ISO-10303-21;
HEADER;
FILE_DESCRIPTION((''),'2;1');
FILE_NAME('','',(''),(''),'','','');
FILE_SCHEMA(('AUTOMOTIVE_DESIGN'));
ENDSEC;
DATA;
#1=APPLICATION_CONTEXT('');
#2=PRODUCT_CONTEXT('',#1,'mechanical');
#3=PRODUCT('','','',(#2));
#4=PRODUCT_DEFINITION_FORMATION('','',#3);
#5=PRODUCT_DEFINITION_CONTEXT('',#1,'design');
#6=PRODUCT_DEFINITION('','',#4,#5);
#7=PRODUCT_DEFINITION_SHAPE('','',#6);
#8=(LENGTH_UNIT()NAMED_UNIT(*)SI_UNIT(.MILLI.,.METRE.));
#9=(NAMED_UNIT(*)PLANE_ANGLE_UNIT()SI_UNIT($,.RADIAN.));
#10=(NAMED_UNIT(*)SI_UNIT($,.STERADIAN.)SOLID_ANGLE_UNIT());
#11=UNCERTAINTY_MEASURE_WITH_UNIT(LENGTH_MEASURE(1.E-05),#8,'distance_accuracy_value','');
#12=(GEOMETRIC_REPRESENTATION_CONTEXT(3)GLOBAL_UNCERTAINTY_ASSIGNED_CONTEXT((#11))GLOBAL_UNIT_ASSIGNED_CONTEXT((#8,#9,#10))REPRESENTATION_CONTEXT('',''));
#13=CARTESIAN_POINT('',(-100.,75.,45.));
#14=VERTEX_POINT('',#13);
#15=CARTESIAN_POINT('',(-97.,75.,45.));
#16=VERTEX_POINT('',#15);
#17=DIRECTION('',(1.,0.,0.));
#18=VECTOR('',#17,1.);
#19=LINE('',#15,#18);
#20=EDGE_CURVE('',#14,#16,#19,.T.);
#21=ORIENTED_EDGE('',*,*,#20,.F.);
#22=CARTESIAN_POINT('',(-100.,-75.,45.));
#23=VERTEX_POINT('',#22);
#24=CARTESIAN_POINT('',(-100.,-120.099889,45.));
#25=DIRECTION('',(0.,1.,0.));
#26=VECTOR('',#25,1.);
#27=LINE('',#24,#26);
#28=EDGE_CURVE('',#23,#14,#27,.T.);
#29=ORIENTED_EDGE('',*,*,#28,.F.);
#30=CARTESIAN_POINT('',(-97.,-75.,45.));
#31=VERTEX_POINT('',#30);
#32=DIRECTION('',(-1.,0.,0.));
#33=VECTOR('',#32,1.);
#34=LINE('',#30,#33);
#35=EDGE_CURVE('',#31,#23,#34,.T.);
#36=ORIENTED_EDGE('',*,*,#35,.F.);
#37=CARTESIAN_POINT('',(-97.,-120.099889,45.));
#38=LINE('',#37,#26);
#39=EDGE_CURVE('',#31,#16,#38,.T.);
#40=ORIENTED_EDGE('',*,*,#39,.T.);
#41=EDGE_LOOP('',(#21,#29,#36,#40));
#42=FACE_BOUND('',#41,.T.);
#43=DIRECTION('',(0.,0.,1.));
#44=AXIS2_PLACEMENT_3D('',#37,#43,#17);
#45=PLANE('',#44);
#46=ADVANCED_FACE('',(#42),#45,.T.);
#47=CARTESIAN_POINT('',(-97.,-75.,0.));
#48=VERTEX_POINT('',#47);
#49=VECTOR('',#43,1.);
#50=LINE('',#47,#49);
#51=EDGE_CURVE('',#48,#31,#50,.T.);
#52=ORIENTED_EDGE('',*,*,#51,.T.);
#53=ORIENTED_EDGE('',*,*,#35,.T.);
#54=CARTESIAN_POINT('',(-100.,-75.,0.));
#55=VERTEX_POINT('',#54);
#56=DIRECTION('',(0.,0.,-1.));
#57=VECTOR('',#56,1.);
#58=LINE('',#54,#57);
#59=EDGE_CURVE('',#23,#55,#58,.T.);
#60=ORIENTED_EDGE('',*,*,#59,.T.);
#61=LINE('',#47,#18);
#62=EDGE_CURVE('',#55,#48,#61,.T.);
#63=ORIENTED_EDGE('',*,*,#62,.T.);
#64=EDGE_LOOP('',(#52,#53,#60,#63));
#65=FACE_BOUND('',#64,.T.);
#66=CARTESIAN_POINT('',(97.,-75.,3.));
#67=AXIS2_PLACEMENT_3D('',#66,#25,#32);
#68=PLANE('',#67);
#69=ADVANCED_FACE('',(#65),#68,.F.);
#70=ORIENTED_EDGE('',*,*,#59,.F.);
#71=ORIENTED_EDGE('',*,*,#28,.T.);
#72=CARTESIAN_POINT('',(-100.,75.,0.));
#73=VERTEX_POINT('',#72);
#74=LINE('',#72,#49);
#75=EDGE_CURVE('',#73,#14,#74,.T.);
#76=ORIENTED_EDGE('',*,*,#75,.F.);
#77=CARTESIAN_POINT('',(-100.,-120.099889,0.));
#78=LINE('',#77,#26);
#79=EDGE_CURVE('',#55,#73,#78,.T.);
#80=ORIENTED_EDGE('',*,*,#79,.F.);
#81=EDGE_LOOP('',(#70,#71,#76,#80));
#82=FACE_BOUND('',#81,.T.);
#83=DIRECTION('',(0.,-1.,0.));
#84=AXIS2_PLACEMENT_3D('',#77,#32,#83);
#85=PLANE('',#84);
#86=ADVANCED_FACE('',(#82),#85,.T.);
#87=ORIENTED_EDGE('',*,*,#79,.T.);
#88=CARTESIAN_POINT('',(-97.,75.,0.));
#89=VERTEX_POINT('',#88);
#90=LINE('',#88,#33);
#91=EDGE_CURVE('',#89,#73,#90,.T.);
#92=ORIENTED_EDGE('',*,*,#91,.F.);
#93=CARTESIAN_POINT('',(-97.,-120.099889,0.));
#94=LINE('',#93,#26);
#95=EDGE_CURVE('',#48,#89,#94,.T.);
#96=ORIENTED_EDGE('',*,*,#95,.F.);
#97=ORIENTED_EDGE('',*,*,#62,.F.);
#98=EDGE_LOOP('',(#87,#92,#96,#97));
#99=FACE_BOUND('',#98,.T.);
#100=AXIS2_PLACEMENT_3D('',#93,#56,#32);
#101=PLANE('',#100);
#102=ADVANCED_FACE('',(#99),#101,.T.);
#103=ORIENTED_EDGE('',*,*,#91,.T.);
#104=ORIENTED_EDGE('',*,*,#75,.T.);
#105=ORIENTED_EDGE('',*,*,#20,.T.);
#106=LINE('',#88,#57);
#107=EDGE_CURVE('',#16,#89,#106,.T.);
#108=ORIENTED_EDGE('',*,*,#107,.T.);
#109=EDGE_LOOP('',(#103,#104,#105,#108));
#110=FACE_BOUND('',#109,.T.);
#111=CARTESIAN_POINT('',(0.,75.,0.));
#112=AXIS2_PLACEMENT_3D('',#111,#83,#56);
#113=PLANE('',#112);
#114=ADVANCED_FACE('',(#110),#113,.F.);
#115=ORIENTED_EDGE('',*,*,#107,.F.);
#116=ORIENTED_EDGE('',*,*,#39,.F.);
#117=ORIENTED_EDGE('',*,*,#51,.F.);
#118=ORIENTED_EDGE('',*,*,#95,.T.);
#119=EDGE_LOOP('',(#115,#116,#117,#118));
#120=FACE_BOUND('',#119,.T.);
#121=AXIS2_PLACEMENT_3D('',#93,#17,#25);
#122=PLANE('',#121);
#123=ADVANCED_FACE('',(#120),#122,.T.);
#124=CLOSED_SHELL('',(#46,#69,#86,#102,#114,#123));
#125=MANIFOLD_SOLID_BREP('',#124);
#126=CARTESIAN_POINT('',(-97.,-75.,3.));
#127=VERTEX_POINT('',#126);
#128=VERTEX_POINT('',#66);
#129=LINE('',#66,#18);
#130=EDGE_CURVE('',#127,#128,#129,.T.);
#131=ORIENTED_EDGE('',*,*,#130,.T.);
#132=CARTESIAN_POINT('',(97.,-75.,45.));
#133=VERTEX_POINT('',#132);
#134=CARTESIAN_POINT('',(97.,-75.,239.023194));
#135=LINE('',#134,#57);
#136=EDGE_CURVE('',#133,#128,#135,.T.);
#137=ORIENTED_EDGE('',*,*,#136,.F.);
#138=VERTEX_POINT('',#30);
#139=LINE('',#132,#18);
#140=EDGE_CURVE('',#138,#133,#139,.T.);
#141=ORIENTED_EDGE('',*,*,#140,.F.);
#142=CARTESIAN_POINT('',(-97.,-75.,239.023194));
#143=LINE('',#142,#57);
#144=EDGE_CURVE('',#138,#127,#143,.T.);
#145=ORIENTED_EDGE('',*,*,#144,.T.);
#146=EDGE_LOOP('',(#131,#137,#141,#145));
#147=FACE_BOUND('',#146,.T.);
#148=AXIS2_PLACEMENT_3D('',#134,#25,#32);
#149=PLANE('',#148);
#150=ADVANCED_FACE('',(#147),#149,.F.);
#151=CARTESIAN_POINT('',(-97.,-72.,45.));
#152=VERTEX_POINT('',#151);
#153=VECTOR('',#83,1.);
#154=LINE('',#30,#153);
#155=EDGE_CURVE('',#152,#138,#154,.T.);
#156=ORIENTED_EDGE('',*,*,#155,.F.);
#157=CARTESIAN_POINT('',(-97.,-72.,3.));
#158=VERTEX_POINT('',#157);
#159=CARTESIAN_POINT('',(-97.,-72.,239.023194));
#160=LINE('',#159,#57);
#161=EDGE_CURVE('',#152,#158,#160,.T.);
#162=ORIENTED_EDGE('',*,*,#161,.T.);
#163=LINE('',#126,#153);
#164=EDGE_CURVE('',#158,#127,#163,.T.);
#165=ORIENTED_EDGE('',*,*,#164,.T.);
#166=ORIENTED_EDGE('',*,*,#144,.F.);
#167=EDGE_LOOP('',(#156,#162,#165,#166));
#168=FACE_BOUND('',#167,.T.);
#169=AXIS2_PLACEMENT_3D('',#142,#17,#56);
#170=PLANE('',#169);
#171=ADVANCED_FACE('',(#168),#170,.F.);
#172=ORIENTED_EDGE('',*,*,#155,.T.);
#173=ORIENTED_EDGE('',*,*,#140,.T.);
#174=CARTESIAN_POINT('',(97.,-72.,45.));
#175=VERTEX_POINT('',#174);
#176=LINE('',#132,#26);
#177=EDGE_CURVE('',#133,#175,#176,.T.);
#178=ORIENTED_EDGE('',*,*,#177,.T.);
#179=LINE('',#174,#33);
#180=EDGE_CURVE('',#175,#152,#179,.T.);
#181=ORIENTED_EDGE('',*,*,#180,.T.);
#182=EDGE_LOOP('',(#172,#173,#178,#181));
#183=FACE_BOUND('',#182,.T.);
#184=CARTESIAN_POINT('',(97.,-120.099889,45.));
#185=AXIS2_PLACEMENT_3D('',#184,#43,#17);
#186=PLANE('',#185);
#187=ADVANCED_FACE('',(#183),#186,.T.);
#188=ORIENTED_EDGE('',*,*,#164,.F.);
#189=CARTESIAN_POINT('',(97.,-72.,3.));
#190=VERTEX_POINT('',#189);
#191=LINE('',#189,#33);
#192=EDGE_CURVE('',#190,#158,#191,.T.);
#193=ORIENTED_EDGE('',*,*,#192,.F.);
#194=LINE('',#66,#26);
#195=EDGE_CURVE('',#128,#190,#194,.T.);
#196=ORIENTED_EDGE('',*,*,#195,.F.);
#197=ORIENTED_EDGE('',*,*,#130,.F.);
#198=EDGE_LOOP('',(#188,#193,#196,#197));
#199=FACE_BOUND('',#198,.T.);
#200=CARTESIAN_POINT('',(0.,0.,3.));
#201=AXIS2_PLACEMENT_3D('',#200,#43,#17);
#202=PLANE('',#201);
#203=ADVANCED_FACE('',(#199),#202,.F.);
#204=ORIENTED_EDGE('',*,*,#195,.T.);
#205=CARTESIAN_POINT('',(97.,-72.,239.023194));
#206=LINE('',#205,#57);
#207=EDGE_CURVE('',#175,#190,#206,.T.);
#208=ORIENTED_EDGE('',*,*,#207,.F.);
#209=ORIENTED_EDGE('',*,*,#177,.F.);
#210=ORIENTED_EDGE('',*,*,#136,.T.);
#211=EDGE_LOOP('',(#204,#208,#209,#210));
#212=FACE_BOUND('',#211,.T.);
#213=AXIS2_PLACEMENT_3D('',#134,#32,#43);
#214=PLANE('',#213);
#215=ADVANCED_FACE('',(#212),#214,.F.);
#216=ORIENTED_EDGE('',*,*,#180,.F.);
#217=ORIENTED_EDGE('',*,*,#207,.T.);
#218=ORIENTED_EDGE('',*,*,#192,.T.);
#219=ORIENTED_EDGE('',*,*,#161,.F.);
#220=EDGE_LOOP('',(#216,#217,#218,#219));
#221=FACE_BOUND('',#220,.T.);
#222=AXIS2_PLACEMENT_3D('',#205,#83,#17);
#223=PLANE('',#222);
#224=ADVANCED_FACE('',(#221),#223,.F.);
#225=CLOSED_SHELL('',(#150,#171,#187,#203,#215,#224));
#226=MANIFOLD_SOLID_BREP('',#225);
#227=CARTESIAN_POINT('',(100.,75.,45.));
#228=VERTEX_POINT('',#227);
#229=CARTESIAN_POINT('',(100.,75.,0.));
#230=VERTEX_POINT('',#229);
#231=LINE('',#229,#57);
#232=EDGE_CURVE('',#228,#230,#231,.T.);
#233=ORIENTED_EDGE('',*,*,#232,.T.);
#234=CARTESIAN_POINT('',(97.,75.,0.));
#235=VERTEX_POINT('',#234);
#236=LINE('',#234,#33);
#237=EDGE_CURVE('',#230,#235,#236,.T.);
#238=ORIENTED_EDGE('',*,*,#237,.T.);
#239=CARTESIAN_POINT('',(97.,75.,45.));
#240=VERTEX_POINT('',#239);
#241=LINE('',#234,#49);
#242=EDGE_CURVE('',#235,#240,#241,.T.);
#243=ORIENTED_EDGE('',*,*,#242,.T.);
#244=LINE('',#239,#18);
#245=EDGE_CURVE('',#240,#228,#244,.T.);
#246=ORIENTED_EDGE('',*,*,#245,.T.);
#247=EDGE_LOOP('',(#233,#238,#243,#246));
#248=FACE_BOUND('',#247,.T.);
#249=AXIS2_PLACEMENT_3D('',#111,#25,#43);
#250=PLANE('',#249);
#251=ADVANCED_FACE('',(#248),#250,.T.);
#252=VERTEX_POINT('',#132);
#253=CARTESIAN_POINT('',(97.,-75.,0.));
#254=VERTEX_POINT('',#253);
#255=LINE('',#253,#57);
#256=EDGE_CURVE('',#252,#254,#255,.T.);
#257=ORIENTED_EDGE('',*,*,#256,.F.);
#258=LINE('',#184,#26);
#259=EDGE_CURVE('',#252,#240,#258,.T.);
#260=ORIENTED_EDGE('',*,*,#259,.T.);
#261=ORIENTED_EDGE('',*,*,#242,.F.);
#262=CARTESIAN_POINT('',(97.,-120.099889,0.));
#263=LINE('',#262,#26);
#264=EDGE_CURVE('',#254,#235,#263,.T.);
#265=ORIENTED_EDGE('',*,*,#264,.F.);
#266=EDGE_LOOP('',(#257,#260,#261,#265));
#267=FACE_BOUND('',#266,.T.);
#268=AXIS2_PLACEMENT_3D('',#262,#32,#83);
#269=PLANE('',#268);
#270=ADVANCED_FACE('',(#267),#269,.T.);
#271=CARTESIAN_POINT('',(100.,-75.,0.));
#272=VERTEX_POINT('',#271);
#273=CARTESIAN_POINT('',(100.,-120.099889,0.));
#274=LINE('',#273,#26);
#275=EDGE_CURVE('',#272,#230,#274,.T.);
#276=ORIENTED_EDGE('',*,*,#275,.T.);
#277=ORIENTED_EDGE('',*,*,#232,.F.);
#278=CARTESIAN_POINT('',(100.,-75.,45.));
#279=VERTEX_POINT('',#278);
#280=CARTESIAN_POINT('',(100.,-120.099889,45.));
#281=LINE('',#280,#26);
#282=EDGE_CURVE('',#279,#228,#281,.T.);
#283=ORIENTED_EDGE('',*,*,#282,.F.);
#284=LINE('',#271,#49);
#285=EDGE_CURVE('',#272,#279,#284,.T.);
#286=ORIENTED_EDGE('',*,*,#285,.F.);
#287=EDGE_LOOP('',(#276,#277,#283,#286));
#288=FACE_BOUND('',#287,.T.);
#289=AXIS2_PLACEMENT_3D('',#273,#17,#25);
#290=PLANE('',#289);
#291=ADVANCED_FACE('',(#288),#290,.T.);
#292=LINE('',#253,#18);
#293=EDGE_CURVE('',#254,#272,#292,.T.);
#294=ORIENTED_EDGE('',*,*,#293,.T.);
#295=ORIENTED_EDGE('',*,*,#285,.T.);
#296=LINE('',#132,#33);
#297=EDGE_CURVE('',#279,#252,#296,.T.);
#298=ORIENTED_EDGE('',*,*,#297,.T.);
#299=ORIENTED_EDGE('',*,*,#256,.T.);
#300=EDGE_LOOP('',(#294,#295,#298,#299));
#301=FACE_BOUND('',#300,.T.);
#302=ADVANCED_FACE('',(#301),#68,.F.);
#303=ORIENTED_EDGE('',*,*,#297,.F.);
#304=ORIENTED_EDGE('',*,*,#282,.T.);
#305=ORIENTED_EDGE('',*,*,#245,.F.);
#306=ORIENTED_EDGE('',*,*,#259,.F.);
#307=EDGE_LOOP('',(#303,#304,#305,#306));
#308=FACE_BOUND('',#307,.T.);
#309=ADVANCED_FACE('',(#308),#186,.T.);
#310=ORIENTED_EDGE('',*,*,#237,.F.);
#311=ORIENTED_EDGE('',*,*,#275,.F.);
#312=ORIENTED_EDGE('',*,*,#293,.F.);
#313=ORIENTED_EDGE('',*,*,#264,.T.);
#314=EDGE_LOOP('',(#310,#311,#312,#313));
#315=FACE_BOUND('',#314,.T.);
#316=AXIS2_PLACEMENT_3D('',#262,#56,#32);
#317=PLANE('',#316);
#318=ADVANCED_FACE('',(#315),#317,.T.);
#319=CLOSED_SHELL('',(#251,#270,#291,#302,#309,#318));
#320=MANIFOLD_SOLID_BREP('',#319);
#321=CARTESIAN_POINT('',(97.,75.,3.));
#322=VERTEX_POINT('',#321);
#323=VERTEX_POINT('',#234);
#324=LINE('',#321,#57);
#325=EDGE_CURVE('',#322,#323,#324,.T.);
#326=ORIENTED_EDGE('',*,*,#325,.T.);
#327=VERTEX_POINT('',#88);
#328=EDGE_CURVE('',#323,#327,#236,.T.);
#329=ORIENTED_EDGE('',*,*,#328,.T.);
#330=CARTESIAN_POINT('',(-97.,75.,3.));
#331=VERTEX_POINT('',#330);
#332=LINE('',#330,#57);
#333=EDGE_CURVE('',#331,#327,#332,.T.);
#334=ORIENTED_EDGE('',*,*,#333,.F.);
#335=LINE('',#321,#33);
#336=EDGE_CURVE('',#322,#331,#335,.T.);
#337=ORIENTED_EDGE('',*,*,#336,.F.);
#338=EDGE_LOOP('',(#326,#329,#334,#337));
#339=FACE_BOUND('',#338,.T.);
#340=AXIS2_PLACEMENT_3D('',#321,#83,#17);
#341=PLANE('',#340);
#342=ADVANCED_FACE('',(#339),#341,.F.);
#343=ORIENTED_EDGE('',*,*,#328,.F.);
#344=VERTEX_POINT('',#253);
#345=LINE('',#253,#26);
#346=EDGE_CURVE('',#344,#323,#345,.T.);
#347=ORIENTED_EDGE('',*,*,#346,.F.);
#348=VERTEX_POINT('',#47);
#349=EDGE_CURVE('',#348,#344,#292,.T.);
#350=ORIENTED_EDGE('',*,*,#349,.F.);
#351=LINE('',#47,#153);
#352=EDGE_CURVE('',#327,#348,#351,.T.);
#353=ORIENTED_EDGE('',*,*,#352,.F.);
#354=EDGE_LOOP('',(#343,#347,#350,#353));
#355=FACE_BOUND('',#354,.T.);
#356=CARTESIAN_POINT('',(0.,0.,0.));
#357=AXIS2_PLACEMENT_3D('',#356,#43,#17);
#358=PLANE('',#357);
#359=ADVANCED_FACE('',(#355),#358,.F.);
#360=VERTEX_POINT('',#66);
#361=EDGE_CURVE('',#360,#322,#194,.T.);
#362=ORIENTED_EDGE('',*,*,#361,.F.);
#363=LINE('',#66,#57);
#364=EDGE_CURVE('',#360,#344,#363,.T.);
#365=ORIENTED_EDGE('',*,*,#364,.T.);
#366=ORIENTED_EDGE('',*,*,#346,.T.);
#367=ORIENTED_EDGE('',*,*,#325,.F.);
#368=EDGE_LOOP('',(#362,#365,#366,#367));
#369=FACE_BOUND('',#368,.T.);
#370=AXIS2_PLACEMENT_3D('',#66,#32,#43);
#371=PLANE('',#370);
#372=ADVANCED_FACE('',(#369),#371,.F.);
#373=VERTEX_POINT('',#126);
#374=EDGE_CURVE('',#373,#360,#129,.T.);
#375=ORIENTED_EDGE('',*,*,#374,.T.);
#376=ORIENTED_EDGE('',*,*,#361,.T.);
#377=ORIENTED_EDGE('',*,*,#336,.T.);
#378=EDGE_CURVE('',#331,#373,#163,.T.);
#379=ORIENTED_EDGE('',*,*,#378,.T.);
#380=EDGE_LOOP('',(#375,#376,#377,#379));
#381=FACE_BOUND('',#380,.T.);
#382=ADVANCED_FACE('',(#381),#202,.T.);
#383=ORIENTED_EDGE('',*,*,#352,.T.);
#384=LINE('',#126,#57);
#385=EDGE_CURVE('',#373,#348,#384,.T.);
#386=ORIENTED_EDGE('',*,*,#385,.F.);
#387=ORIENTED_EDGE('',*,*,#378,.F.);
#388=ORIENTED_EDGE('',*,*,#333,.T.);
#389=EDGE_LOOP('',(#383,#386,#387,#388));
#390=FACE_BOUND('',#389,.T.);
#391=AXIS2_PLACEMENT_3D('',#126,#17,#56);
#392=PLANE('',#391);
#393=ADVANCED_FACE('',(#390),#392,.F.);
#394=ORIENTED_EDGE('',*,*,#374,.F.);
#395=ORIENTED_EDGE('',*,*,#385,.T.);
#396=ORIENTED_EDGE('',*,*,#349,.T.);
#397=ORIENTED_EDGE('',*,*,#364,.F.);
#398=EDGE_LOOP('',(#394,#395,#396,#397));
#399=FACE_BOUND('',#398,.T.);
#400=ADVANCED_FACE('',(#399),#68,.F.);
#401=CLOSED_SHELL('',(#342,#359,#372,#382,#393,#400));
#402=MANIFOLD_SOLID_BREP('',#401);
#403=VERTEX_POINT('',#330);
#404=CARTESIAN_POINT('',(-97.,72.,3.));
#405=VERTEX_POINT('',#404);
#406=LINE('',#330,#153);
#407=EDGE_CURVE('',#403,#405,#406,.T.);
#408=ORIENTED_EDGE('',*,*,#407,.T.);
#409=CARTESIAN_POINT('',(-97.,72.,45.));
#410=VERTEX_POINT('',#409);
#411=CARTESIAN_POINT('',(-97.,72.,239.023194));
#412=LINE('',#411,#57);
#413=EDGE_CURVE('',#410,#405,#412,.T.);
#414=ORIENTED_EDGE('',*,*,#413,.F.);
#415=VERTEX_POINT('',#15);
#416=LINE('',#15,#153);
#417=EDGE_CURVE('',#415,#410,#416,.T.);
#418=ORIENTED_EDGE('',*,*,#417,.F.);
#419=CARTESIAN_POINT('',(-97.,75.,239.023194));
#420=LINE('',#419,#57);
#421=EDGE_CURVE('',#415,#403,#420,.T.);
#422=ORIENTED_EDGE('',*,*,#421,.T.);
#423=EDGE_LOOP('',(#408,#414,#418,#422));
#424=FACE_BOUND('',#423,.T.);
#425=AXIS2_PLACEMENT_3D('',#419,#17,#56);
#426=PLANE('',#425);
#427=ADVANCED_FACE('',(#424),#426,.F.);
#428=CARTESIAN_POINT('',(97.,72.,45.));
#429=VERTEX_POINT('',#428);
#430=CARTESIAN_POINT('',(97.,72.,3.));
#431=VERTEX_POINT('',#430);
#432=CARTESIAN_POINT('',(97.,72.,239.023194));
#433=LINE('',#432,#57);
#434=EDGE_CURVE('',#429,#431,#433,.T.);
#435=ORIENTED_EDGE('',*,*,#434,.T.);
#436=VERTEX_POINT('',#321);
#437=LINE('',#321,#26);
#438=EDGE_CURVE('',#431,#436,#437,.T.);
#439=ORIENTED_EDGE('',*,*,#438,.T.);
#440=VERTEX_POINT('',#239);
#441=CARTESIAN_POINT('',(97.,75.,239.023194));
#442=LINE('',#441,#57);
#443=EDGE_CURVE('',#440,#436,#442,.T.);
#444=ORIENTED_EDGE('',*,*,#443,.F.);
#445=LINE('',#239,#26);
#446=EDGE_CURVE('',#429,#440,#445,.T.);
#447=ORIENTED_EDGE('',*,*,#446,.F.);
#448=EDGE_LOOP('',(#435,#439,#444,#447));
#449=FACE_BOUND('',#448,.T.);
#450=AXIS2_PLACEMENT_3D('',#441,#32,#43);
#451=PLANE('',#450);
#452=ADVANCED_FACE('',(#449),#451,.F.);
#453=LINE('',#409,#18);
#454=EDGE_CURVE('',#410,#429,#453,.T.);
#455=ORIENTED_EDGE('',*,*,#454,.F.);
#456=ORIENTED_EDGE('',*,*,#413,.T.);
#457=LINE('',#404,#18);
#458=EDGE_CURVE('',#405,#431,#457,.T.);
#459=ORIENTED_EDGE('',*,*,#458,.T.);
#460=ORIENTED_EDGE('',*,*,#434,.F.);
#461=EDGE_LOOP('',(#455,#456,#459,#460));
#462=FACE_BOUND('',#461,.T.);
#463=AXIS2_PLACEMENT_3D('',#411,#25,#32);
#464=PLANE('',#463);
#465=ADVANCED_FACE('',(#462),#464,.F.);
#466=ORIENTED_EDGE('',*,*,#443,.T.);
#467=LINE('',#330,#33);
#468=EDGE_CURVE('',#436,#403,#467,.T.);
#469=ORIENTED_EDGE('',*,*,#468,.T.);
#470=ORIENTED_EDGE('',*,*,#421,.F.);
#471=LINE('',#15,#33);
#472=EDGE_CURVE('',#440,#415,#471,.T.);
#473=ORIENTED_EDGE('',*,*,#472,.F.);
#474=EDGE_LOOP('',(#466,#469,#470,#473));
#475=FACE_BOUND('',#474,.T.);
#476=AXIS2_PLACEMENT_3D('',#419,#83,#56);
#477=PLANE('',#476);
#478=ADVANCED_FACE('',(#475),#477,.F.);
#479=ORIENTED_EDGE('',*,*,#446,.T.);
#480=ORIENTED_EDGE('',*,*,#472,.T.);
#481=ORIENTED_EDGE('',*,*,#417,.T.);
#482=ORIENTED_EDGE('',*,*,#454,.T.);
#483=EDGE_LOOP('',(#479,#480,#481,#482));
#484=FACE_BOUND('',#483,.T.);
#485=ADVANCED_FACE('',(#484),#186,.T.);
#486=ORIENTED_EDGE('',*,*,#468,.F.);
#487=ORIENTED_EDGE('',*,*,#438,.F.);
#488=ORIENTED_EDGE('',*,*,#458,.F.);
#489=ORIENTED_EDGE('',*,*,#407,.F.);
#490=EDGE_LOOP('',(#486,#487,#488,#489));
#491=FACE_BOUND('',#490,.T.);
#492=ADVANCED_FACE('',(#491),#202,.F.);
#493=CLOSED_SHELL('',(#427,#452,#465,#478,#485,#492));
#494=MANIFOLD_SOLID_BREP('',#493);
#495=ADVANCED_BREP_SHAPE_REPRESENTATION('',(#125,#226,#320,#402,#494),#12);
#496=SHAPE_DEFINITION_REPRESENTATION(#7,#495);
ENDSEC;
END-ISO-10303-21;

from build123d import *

# Parameters (mm, degrees)
ESQUISSE1_W          = 194
ESQUISSE1_H          = 150
BOSS_EXTRU_1_DEPTH   = 3
ESQUISSE3_W          = 3
ESQUISSE3_H          = 45
BOSS_EXTRU_3_DEPTH   = 150
BOSS_EXTRU_3_2_DEPTH = 150
ESQUISSE4_W          = 194
ESQUISSE4_H          = 3
BOSS_EXTRU_4_DEPTH   = 42
BOSS_EXTRU_4_2_DEPTH = 42


with BuildPart() as part:
    # Esquisse1 → Boss.-Extru.1 (new body)
    with BuildSketch(Plane.XY):
        Rectangle(ESQUISSE1_W, ESQUISSE1_H)
    extrude(amount=BOSS_EXTRU_1_DEPTH)


with BuildPart() as body_2:
    # Esquisse3 → Boss.-Extru.3 (new body)
    with BuildSketch(Plane(origin=(0, 75, 0), x_dir=(1, 0, 0), z_dir=(0, 1, 0))):
        with Locations((-98.5, -22.5)):
            Rectangle(ESQUISSE3_W, ESQUISSE3_H)
    extrude(amount=-BOSS_EXTRU_3_DEPTH)


with BuildPart() as body_3:
    # Esquisse3 → Boss.-Extru.3 2 (new body)
    with BuildSketch(Plane(origin=(0, 75, 0), x_dir=(1, 0, 0), z_dir=(0, 1, 0))):
        with Locations((98.5, -22.5)):
            Rectangle(ESQUISSE3_W, ESQUISSE3_H)
    extrude(amount=-BOSS_EXTRU_3_2_DEPTH)


with BuildPart() as body_4:
    # Esquisse4 → Boss.-Extru.4 (new body)
    with BuildSketch(Plane.XY.offset(3)):
        with Locations((0, 73.5)):
            Rectangle(ESQUISSE4_W, ESQUISSE4_H)
    extrude(amount=BOSS_EXTRU_4_DEPTH)


with BuildPart() as body_5:
    # Esquisse4 → Boss.-Extru.4 2 (new body)
    with BuildSketch(Plane.XY.offset(3)):
        with Locations((0, -73.5)):
            Rectangle(ESQUISSE4_W, ESQUISSE4_H)
    extrude(amount=BOSS_EXTRU_4_2_DEPTH)


solid = Compound([part.part, body_2.part, body_3.part, body_4.part, body_5.part])
